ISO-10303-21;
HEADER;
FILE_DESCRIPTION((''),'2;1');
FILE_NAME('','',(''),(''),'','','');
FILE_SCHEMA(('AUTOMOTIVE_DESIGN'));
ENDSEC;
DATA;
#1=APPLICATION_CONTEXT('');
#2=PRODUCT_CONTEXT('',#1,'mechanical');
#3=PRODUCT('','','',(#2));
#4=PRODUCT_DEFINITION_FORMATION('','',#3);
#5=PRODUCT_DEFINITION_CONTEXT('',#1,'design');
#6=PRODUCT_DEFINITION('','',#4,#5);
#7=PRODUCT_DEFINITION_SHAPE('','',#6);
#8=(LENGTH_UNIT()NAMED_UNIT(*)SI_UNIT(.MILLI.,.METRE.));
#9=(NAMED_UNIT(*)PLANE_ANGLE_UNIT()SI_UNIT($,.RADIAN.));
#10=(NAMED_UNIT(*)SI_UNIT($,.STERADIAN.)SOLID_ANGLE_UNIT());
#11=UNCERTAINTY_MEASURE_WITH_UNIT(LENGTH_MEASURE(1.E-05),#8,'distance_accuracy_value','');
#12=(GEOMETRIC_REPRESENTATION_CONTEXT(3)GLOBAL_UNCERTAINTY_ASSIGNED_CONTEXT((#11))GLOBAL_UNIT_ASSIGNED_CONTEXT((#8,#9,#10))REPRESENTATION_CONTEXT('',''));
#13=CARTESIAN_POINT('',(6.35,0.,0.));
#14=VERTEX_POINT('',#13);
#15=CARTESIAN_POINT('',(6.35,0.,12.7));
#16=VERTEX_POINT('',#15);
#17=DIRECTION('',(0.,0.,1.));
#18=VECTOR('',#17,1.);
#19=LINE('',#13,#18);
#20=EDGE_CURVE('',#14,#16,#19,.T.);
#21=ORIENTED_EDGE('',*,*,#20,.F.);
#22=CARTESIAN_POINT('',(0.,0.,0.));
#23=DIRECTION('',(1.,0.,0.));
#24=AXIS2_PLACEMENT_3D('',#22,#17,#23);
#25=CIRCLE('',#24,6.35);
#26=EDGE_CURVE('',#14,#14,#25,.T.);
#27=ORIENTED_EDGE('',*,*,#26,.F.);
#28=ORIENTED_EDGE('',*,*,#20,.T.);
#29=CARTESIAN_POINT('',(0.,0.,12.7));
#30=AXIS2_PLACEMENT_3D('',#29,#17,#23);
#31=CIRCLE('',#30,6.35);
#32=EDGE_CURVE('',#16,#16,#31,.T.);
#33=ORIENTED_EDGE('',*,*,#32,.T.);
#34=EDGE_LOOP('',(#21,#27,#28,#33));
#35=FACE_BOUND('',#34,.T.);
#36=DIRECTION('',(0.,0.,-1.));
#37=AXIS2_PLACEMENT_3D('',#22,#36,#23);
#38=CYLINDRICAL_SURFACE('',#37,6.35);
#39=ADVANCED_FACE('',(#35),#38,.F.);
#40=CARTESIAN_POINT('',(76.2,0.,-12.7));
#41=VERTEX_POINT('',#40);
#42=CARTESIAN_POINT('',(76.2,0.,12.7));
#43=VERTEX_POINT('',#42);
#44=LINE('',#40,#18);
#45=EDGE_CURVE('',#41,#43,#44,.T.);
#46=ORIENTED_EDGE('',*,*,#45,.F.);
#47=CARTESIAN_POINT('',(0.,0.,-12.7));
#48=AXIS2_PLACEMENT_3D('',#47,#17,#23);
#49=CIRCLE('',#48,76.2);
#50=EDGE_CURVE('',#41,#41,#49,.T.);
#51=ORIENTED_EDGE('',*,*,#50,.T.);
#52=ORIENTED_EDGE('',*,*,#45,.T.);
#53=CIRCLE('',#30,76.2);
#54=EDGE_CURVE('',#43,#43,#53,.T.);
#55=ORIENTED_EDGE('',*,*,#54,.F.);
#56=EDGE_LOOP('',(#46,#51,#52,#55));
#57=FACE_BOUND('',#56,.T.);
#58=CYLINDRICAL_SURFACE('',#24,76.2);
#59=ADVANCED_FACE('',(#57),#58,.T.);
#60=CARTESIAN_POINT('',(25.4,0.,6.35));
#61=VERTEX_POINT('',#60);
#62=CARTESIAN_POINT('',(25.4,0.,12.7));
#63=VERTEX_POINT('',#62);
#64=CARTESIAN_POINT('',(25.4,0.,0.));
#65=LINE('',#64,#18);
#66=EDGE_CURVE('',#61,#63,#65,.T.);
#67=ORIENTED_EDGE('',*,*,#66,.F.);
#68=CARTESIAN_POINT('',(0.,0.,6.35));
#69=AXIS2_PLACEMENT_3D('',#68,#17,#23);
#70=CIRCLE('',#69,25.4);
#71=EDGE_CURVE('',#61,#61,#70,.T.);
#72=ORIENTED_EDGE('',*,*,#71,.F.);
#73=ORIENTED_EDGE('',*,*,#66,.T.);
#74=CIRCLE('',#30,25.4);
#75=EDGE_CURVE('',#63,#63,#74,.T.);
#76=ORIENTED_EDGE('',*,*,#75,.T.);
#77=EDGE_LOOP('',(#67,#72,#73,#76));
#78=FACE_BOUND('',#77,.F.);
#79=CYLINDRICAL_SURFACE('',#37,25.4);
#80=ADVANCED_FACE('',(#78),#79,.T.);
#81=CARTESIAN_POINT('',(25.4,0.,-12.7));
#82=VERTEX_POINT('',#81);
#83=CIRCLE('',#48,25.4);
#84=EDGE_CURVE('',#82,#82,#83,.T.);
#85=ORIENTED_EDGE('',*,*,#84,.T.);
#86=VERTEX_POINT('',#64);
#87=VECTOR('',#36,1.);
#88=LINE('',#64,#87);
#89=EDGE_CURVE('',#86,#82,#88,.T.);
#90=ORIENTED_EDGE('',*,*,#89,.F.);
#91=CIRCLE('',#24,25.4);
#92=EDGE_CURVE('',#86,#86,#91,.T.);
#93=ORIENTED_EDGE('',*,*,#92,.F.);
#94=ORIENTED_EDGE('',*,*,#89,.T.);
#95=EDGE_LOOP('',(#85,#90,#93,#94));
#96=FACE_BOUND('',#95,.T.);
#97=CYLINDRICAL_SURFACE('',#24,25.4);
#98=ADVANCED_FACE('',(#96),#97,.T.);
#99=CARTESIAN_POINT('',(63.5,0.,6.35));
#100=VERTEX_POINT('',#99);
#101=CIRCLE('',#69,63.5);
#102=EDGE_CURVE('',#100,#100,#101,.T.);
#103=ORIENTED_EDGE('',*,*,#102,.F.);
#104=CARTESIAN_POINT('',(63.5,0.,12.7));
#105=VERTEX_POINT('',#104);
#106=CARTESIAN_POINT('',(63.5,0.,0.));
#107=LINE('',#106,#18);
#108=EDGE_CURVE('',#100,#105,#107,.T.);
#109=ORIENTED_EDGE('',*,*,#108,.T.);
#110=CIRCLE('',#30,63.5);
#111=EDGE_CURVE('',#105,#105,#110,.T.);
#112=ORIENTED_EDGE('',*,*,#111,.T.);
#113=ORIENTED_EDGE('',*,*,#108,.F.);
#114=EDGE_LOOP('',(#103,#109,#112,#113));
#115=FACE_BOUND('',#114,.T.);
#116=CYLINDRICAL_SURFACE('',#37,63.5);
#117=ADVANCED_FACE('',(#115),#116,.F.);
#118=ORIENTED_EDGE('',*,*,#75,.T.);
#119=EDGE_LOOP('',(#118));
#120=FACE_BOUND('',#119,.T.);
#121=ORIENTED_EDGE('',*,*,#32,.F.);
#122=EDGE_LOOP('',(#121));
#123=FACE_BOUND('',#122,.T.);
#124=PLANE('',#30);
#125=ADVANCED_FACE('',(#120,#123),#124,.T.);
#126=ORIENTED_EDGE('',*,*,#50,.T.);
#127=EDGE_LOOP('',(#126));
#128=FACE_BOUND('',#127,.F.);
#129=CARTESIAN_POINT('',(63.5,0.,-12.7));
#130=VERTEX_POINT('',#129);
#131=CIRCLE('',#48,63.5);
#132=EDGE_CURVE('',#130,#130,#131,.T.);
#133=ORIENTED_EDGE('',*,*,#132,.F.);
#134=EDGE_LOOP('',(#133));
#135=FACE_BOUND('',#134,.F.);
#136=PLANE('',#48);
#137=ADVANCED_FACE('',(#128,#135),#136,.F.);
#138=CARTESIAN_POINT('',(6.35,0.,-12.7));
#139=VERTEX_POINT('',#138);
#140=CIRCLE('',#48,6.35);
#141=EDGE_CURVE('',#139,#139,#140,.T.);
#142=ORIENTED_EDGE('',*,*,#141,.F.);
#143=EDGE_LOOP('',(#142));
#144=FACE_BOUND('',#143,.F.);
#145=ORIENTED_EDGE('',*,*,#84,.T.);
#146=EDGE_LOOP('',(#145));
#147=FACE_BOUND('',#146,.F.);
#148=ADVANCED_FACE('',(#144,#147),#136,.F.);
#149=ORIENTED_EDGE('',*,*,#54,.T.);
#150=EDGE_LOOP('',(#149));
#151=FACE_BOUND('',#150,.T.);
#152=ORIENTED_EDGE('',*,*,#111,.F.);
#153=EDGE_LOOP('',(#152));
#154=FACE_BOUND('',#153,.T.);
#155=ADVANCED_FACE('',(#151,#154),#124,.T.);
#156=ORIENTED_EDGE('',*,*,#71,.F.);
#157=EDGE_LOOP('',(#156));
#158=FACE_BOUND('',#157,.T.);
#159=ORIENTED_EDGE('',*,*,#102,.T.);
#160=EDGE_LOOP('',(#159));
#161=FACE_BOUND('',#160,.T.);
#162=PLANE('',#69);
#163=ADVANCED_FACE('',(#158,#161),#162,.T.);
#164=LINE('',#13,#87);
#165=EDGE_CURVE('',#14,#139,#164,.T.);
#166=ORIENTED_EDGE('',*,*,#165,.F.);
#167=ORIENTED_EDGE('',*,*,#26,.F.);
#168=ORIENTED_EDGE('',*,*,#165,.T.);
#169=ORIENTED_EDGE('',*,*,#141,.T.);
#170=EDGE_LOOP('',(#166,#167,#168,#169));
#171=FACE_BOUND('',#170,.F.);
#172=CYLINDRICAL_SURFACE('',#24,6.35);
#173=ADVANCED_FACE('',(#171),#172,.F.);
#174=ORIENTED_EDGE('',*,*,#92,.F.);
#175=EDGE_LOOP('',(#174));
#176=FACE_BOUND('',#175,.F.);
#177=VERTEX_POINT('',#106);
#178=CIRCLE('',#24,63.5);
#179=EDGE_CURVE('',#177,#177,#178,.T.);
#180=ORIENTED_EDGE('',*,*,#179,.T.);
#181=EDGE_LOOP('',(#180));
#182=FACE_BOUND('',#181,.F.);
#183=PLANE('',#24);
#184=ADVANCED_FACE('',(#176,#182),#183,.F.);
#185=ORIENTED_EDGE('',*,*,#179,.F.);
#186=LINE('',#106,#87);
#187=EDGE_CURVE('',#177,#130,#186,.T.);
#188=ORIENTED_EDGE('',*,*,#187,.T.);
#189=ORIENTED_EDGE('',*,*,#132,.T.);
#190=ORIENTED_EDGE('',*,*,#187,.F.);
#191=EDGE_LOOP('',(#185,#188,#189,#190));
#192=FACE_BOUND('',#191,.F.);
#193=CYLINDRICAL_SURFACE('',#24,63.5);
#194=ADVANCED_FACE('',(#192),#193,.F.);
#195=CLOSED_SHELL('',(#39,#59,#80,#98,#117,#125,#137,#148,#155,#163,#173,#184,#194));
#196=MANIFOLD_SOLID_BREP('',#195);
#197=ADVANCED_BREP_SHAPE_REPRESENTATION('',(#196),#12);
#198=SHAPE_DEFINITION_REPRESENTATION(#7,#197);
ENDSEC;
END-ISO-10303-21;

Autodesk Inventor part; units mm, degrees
ref_plane "YZ Plane" through (0, 0, 0) normal (1, 0, 0) x (0, 1, 0)
ref_plane "XZ Plane" through (0, 0, 0) normal (0, 1, 0) x (-1, 0, 0)
ref_plane "XY Plane" through (0, 0, 0) normal (0, 0, 1) x (1, 0, 0)
sketch "Sketch1" plane through (0, 0, 0) normal (0, 0, 1) x (1, 0, 0)
  circle A0 centre (0, 0) radius 76.2
  circle A1 centre (0, 0) radius 63.5
  circle A2 centre (0, 0) radius 6.35
  circle A3 centre (0, 0) radius 25.4
  dimension "d0" = 152.4
  dimension "d1" = 127
  dimension "d2" = 12.7
  dimension "d3" = 50.8
extrude "Extrusion1" add sketch "Sketch1" along normal mid plane 25.4
extrude "Extrusion2" add sketch "Sketch1" along normal blind 6.35 contours A1
properties part number "example_wheel_6inch_.5axle"
